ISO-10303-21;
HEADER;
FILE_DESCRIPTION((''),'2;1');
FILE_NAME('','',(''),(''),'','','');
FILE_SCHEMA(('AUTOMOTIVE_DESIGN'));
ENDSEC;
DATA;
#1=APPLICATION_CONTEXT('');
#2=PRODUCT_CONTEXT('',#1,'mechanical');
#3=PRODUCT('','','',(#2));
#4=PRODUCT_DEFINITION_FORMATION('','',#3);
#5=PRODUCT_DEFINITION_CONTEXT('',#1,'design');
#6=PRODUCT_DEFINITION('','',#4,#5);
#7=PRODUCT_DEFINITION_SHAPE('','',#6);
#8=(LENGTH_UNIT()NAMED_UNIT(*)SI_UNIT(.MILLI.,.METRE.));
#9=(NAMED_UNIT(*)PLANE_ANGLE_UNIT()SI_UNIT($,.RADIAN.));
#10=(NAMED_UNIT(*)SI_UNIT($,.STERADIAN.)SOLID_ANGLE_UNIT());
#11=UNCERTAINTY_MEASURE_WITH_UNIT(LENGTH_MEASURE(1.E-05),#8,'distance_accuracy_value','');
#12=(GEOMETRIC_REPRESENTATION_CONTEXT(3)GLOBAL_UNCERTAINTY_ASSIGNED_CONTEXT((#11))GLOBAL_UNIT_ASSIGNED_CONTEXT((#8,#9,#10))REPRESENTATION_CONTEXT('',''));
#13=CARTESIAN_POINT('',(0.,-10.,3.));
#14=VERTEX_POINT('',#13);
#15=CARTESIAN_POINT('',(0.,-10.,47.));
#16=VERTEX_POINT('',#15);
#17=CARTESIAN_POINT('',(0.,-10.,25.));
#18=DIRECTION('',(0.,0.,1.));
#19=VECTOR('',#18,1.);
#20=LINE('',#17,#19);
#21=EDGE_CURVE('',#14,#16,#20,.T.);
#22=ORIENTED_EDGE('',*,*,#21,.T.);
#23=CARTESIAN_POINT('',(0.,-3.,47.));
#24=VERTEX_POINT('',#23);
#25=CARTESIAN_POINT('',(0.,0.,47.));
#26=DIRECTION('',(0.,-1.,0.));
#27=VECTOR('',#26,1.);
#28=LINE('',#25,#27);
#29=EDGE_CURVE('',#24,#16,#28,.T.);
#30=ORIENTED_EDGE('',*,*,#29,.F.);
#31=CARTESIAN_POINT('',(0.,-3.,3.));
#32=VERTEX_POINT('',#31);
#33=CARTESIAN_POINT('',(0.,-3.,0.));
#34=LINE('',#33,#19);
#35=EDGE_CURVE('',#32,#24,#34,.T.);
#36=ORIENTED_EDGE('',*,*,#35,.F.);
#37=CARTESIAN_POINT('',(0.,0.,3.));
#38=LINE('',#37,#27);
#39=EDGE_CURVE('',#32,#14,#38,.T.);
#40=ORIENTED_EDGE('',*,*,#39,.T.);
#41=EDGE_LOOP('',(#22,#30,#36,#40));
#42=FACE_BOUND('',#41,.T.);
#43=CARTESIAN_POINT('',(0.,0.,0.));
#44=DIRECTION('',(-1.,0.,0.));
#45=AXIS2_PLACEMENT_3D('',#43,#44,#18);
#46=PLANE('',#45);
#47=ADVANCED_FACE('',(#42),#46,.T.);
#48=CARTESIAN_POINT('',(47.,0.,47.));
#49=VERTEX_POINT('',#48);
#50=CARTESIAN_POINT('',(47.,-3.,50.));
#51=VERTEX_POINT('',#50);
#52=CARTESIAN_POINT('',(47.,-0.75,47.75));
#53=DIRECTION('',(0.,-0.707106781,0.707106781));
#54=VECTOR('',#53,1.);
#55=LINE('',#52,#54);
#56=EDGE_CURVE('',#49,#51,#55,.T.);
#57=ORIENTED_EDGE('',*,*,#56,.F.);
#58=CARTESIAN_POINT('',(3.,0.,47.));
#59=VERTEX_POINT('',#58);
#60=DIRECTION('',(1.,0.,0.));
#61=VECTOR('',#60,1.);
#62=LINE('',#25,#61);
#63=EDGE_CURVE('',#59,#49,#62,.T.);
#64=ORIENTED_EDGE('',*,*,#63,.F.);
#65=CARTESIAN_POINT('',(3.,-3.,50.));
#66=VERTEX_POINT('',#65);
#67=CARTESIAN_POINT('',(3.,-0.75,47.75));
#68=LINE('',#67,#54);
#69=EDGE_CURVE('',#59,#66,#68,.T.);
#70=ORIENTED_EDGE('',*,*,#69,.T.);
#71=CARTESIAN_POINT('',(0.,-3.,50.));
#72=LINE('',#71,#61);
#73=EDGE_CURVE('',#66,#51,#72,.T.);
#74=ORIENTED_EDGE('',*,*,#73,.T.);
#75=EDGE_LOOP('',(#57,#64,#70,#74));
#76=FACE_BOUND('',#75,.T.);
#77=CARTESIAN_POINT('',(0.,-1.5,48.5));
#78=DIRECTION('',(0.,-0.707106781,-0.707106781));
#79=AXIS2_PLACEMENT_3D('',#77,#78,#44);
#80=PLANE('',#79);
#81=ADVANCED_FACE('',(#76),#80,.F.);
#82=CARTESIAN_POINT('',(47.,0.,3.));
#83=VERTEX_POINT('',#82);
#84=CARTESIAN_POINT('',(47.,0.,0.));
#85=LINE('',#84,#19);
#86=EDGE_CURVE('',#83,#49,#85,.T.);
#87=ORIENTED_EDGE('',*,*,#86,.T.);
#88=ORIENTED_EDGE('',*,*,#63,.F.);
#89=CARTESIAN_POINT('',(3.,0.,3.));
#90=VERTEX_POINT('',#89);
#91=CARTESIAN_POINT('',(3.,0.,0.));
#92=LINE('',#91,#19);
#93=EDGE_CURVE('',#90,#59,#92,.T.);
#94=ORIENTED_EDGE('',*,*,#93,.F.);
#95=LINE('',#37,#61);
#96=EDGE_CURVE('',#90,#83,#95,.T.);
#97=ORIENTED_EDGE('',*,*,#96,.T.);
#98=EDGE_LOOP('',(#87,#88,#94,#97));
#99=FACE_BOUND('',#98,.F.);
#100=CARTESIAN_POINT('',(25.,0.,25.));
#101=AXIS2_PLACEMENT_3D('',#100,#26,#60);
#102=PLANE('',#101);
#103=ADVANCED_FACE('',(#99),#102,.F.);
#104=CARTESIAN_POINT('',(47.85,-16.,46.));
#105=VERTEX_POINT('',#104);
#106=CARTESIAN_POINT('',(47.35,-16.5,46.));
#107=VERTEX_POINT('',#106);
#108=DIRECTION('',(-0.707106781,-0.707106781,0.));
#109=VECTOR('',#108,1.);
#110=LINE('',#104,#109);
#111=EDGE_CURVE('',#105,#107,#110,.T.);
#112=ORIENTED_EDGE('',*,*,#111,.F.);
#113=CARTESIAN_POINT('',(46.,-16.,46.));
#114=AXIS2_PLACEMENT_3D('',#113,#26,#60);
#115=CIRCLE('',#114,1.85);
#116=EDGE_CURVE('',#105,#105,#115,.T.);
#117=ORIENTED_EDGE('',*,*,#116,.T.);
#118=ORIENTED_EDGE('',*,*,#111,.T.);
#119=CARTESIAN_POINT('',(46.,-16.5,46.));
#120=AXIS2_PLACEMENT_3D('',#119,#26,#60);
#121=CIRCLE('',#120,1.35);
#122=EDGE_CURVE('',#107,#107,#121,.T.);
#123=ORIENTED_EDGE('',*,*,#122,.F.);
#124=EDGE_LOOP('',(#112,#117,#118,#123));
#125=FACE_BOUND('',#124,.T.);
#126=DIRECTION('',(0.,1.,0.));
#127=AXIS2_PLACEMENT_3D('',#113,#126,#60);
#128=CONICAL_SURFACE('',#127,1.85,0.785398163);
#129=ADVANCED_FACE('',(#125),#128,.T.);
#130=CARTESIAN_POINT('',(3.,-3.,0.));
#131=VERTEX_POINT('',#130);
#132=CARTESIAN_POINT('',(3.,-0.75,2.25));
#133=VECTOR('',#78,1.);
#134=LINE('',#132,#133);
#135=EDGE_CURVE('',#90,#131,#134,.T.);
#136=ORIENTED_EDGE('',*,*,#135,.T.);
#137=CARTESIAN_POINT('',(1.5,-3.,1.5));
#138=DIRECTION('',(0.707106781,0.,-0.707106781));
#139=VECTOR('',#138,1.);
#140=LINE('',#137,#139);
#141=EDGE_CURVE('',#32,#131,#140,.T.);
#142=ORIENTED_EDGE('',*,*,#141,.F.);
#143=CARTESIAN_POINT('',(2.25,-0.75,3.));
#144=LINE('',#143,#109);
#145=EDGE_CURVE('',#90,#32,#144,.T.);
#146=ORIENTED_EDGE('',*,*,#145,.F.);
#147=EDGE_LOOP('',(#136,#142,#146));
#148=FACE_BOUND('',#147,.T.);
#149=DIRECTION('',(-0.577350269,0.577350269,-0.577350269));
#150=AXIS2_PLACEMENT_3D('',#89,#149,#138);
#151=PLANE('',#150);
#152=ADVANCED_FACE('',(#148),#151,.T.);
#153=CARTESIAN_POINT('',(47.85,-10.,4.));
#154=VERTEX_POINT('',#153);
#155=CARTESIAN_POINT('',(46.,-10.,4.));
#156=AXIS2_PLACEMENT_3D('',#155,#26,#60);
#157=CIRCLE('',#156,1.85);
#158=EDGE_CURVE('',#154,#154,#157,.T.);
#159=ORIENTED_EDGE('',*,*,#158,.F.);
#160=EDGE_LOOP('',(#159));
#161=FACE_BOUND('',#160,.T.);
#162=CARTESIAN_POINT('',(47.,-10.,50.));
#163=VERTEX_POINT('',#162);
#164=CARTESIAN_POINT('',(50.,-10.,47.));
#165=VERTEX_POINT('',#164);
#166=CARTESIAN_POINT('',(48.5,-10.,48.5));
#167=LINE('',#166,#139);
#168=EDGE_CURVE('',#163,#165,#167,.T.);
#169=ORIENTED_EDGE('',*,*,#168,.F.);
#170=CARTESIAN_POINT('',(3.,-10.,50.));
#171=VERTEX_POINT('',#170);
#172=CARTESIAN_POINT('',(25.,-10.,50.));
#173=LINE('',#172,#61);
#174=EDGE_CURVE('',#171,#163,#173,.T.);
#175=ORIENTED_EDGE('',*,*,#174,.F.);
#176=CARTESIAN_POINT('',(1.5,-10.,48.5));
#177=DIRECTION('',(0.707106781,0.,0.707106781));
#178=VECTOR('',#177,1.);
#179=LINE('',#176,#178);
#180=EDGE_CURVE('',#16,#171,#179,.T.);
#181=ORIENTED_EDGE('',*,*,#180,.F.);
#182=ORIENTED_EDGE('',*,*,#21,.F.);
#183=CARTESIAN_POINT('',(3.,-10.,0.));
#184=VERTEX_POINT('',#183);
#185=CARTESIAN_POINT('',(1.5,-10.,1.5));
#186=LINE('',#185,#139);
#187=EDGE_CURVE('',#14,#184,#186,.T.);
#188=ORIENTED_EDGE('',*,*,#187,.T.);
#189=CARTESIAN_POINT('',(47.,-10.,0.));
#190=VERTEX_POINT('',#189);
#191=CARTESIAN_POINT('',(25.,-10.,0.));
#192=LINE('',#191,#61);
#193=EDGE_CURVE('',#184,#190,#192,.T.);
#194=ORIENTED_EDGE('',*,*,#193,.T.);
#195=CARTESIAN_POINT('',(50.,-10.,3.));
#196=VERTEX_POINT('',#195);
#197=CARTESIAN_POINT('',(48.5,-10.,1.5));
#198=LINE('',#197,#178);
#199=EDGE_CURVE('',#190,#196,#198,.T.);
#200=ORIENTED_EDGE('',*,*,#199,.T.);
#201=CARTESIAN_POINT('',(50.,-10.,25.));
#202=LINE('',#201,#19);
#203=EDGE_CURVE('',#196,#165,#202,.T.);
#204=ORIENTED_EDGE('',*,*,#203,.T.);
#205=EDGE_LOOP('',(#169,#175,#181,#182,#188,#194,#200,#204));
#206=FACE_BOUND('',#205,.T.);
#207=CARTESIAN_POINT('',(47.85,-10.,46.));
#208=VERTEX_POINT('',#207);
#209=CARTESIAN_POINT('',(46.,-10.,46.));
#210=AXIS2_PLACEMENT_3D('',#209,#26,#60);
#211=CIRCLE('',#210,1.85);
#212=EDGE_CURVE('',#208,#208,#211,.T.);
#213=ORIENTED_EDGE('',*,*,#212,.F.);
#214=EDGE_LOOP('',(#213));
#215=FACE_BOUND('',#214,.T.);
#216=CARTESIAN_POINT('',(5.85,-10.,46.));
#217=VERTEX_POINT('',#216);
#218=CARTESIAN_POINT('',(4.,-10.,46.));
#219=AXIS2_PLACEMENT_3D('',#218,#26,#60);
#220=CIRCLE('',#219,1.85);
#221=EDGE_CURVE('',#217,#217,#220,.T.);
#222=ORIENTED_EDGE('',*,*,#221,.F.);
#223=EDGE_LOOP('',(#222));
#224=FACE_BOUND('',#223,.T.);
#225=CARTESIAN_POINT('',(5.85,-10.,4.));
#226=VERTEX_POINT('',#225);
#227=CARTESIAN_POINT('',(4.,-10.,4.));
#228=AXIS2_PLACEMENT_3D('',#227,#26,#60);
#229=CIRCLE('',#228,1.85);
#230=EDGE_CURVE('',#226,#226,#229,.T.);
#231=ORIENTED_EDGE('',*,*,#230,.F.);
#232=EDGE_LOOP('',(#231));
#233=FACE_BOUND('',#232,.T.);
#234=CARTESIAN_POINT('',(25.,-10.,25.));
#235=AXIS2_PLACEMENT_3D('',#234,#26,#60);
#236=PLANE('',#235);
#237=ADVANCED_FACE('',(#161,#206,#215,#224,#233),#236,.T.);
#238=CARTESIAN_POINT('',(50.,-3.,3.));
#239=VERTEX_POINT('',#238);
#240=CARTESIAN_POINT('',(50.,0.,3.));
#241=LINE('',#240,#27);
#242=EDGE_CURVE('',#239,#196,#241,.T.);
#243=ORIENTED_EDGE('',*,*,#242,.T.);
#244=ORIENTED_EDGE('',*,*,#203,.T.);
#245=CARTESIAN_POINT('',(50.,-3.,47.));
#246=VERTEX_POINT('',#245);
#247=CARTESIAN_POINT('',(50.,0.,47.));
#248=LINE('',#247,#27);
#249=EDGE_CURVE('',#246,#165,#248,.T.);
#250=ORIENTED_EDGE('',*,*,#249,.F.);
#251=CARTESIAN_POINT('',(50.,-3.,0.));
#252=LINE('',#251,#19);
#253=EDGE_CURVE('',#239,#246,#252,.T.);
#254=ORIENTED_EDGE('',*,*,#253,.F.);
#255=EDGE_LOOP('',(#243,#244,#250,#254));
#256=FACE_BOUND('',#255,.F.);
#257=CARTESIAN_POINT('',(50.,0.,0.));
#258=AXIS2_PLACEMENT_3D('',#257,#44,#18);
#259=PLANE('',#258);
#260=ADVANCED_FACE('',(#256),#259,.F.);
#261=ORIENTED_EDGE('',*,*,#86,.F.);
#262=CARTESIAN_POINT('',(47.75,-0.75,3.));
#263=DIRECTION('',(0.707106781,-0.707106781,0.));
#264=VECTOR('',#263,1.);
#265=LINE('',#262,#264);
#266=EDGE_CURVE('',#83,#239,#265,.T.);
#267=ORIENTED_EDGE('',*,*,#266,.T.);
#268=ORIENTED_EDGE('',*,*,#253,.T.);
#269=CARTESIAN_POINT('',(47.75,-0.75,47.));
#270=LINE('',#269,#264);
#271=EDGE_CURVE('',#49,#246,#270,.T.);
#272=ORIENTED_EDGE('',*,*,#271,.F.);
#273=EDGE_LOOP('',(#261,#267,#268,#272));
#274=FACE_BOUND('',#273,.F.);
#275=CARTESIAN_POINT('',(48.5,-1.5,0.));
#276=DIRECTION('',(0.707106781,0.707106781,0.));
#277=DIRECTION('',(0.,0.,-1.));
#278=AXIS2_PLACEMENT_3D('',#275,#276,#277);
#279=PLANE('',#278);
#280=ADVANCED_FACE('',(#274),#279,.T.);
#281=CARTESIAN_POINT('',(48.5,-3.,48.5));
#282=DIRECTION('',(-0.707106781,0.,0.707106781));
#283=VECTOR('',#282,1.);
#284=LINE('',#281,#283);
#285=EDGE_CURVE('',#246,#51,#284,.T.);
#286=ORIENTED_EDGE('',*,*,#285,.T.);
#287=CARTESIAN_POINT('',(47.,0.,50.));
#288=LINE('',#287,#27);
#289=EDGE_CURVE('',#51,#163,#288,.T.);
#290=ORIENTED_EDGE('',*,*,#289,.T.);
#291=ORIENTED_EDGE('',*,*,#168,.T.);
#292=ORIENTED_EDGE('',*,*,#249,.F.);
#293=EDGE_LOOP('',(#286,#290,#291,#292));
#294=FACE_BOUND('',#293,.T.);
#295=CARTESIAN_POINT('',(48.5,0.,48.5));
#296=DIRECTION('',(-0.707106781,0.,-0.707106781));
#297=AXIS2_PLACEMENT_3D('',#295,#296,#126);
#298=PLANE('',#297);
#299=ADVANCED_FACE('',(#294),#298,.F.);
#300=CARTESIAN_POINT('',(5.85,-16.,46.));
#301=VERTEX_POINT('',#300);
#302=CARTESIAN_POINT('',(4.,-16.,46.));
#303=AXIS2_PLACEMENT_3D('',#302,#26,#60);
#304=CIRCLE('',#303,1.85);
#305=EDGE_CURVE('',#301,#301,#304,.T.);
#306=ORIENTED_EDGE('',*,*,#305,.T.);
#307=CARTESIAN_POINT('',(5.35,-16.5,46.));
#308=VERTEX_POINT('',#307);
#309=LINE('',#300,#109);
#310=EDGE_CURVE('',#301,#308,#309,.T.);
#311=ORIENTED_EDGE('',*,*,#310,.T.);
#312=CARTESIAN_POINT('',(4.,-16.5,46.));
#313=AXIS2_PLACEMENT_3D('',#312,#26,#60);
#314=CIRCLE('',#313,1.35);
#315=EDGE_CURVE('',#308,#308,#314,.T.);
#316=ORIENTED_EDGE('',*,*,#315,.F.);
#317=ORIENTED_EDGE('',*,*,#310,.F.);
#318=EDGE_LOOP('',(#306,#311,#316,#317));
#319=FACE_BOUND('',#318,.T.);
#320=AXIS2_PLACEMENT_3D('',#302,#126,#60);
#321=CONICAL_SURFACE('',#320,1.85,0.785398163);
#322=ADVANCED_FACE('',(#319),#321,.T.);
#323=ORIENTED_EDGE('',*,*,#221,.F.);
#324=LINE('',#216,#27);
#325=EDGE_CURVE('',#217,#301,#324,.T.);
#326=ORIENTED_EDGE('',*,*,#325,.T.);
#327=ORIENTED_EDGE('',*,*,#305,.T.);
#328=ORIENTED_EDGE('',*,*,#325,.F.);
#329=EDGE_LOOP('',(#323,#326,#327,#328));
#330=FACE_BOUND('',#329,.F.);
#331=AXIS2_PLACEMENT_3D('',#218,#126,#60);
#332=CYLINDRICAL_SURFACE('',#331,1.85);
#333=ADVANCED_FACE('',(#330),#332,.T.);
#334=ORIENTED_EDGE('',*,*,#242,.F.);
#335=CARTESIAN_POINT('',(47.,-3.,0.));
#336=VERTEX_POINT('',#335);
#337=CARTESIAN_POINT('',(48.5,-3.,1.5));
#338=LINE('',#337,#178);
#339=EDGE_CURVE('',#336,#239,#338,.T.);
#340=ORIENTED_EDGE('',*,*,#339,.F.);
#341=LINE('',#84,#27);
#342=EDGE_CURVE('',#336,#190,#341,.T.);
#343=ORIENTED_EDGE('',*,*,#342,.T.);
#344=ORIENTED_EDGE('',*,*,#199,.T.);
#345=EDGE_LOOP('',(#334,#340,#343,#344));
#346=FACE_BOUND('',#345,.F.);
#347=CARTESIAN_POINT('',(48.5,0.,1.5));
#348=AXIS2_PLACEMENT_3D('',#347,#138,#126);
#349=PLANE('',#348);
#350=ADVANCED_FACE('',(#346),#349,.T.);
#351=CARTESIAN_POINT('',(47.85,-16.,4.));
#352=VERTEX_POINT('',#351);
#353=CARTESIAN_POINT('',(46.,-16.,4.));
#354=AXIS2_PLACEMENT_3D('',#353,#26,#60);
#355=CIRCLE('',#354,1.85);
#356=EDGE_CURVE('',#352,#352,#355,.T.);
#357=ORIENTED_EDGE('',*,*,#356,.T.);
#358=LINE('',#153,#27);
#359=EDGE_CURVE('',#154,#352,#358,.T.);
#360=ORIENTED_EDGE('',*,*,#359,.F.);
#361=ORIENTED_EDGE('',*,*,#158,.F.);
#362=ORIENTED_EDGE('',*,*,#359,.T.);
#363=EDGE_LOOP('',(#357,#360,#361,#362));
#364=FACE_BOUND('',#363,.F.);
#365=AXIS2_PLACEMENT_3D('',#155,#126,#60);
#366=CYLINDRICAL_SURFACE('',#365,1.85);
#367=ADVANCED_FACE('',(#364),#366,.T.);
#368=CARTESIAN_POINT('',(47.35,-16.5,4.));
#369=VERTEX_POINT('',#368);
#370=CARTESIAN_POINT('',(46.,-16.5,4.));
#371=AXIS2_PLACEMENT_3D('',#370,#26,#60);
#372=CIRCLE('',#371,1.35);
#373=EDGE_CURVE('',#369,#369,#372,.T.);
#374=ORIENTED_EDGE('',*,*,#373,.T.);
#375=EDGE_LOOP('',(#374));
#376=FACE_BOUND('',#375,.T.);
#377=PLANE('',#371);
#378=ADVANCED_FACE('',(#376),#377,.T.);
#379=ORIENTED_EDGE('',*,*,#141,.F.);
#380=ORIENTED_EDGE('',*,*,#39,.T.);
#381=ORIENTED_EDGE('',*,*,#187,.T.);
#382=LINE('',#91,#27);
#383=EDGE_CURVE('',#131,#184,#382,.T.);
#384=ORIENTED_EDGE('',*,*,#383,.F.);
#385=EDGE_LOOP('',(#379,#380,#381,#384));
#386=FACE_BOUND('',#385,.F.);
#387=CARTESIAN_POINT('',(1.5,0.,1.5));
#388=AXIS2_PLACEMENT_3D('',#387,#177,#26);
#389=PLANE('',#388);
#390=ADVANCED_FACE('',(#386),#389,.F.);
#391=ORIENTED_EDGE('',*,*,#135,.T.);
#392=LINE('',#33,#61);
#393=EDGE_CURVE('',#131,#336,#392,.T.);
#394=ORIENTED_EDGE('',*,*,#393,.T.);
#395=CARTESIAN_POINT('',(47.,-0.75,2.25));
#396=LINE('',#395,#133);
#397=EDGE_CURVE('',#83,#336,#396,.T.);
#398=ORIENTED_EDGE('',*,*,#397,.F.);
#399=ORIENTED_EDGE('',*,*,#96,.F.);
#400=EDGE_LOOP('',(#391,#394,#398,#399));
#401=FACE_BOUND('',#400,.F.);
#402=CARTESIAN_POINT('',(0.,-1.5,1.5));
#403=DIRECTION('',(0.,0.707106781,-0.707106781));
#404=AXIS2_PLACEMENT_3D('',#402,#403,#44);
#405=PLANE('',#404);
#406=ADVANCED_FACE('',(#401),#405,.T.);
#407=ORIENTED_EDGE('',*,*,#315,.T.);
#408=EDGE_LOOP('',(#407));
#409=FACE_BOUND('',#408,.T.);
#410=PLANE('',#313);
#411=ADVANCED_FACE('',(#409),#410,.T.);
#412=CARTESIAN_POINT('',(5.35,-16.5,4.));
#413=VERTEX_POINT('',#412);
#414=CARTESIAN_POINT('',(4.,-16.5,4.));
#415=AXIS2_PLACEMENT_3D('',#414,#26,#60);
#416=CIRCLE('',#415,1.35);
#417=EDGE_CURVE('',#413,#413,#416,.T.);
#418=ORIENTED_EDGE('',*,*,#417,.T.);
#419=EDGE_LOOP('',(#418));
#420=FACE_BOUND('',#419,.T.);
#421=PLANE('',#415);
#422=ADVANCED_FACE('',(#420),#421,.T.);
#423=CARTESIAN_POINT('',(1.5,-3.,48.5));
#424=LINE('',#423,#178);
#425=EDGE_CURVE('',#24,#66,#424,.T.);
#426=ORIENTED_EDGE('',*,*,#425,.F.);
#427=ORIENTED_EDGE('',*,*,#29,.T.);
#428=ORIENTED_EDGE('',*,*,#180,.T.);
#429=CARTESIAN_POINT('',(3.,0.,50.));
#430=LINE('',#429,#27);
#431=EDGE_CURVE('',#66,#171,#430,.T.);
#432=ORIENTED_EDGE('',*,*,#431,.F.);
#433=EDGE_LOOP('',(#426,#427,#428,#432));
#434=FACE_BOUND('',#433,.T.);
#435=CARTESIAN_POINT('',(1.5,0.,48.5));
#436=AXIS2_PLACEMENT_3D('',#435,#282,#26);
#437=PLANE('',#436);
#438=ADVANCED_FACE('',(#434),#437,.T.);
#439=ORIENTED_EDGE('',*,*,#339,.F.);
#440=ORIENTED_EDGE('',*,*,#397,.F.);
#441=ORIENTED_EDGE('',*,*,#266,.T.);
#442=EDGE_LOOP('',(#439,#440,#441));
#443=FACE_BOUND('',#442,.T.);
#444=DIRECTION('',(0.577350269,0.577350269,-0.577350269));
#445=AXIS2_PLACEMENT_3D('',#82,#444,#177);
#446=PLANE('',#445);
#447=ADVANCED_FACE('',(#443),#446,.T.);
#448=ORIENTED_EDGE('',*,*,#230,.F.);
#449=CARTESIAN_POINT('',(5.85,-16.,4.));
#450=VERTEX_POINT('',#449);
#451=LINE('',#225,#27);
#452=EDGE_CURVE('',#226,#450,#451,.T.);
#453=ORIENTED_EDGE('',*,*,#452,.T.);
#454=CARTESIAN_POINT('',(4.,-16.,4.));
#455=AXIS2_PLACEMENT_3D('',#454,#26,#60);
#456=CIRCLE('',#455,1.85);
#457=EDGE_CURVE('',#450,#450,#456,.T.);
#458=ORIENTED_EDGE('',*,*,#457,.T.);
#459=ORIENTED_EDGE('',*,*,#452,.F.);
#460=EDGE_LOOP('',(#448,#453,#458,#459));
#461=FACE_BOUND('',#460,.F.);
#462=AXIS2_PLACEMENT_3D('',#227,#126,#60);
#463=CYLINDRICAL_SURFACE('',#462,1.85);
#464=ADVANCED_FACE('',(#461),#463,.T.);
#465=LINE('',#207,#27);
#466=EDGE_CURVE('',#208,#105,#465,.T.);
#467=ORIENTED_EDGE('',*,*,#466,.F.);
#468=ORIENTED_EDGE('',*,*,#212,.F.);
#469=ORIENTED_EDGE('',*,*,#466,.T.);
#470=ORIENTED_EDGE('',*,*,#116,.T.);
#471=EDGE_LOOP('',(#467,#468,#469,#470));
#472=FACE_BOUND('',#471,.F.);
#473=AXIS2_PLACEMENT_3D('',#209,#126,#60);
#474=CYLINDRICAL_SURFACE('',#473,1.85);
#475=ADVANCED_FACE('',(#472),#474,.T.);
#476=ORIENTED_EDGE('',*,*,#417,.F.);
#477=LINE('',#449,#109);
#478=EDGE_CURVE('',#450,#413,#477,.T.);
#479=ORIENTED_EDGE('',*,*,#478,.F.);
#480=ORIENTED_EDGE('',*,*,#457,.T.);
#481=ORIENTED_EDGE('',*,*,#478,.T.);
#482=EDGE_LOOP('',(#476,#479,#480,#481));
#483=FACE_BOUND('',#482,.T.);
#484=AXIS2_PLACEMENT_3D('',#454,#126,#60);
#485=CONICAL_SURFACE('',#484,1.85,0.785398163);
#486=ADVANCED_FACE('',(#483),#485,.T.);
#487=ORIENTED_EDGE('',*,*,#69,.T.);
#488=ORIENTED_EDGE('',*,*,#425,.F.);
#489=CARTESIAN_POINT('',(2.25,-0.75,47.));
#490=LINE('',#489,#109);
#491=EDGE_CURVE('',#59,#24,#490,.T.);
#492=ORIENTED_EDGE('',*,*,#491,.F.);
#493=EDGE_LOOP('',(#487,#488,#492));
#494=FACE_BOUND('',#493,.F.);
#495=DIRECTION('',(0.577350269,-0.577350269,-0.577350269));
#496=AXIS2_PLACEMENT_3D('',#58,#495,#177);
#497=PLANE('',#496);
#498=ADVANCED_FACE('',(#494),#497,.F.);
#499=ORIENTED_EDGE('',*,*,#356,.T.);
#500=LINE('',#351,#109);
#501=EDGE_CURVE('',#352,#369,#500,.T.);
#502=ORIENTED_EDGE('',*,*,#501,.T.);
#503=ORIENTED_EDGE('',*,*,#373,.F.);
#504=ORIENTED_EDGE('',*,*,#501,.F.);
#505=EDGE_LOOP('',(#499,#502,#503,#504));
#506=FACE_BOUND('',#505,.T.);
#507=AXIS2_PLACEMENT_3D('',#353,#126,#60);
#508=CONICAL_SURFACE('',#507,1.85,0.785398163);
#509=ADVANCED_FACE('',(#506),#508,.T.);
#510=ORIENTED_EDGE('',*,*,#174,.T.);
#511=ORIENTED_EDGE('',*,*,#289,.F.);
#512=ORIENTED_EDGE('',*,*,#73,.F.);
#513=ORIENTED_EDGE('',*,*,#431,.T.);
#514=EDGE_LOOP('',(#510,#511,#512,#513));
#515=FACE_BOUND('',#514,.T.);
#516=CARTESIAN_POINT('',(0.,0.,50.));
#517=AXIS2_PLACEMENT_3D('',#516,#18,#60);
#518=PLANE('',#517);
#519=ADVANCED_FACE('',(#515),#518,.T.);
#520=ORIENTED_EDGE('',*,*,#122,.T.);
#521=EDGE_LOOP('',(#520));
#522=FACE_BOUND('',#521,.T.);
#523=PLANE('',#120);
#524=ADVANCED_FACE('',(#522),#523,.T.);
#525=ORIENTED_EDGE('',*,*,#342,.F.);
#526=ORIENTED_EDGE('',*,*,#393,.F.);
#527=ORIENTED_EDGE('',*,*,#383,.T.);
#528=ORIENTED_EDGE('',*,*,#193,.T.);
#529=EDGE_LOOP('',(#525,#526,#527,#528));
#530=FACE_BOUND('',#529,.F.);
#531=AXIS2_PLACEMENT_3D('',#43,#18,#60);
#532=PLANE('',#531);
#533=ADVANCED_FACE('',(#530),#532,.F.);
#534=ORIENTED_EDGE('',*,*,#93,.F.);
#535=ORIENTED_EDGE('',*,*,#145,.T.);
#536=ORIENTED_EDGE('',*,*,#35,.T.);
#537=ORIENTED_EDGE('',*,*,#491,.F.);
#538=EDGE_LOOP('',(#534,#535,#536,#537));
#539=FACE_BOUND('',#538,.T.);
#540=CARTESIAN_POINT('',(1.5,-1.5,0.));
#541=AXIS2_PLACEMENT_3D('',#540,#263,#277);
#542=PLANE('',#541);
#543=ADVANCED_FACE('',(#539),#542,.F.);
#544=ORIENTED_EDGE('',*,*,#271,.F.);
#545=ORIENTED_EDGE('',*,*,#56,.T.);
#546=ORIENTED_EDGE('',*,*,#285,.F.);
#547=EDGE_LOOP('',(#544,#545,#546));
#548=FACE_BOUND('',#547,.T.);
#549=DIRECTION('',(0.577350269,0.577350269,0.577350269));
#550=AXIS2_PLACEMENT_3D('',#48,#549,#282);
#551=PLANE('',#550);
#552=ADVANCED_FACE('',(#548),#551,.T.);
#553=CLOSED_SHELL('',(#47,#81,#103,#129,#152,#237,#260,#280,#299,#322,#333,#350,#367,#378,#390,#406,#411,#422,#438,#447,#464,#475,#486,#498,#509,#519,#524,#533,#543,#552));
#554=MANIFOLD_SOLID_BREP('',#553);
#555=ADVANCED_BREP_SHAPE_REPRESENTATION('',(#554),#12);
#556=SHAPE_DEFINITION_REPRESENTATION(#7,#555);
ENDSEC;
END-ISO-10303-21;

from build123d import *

# Parameters (mm, degrees)
F0_W     = 50
F0_H     = 50
F1_DEPTH = 10
F2_R     = 1.85
F3_DEPTH = 6.5
F4_SIZE  = 0.5
F5_SIZE  = 3


with BuildPart() as f1:
    # F0 (on Front) → F1 (new body)
    with BuildSketch(Plane.XZ):
        with Locations((25, 25)):
            Rectangle(F0_W, F0_H)
    extrude(amount=F1_DEPTH)

    # F2 (on face) → F3 (join)
    with BuildSketch(Plane.XZ.offset(10)):
        with Locations((4, 46)):
            Circle(F2_R)
        with Locations((46, 46)):
            Circle(F2_R)
        with Locations((46, 4)):
            Circle(F2_R)
        with Locations((4, 4)):
            Circle(F2_R)
    extrude(amount=F3_DEPTH)

    # F4
    f4_edges = [f1.edges().sort_by_distance(p)[0] for p in [
        (2.15, -16.5, 4),
        (44.15, -16.5, 4),
        (44.15, -16.5, 46),
        (2.15, -16.5, 46),
    ]]
    chamfer(f4_edges, length=F4_SIZE)

    # F5
    f5_edges = [f1.edges().sort_by_distance(p)[0] for p in [
        (0, -5, 50),
        (50, -5, 50),
        (50, -5, 0),
        (0, -5, 0),
        (0, 0, 25),
        (25, 0, 0),
        (50, 0, 25),
        (25, 0, 50),
    ]]
    chamfer(f5_edges, length=F5_SIZE)


solid = f1.part
